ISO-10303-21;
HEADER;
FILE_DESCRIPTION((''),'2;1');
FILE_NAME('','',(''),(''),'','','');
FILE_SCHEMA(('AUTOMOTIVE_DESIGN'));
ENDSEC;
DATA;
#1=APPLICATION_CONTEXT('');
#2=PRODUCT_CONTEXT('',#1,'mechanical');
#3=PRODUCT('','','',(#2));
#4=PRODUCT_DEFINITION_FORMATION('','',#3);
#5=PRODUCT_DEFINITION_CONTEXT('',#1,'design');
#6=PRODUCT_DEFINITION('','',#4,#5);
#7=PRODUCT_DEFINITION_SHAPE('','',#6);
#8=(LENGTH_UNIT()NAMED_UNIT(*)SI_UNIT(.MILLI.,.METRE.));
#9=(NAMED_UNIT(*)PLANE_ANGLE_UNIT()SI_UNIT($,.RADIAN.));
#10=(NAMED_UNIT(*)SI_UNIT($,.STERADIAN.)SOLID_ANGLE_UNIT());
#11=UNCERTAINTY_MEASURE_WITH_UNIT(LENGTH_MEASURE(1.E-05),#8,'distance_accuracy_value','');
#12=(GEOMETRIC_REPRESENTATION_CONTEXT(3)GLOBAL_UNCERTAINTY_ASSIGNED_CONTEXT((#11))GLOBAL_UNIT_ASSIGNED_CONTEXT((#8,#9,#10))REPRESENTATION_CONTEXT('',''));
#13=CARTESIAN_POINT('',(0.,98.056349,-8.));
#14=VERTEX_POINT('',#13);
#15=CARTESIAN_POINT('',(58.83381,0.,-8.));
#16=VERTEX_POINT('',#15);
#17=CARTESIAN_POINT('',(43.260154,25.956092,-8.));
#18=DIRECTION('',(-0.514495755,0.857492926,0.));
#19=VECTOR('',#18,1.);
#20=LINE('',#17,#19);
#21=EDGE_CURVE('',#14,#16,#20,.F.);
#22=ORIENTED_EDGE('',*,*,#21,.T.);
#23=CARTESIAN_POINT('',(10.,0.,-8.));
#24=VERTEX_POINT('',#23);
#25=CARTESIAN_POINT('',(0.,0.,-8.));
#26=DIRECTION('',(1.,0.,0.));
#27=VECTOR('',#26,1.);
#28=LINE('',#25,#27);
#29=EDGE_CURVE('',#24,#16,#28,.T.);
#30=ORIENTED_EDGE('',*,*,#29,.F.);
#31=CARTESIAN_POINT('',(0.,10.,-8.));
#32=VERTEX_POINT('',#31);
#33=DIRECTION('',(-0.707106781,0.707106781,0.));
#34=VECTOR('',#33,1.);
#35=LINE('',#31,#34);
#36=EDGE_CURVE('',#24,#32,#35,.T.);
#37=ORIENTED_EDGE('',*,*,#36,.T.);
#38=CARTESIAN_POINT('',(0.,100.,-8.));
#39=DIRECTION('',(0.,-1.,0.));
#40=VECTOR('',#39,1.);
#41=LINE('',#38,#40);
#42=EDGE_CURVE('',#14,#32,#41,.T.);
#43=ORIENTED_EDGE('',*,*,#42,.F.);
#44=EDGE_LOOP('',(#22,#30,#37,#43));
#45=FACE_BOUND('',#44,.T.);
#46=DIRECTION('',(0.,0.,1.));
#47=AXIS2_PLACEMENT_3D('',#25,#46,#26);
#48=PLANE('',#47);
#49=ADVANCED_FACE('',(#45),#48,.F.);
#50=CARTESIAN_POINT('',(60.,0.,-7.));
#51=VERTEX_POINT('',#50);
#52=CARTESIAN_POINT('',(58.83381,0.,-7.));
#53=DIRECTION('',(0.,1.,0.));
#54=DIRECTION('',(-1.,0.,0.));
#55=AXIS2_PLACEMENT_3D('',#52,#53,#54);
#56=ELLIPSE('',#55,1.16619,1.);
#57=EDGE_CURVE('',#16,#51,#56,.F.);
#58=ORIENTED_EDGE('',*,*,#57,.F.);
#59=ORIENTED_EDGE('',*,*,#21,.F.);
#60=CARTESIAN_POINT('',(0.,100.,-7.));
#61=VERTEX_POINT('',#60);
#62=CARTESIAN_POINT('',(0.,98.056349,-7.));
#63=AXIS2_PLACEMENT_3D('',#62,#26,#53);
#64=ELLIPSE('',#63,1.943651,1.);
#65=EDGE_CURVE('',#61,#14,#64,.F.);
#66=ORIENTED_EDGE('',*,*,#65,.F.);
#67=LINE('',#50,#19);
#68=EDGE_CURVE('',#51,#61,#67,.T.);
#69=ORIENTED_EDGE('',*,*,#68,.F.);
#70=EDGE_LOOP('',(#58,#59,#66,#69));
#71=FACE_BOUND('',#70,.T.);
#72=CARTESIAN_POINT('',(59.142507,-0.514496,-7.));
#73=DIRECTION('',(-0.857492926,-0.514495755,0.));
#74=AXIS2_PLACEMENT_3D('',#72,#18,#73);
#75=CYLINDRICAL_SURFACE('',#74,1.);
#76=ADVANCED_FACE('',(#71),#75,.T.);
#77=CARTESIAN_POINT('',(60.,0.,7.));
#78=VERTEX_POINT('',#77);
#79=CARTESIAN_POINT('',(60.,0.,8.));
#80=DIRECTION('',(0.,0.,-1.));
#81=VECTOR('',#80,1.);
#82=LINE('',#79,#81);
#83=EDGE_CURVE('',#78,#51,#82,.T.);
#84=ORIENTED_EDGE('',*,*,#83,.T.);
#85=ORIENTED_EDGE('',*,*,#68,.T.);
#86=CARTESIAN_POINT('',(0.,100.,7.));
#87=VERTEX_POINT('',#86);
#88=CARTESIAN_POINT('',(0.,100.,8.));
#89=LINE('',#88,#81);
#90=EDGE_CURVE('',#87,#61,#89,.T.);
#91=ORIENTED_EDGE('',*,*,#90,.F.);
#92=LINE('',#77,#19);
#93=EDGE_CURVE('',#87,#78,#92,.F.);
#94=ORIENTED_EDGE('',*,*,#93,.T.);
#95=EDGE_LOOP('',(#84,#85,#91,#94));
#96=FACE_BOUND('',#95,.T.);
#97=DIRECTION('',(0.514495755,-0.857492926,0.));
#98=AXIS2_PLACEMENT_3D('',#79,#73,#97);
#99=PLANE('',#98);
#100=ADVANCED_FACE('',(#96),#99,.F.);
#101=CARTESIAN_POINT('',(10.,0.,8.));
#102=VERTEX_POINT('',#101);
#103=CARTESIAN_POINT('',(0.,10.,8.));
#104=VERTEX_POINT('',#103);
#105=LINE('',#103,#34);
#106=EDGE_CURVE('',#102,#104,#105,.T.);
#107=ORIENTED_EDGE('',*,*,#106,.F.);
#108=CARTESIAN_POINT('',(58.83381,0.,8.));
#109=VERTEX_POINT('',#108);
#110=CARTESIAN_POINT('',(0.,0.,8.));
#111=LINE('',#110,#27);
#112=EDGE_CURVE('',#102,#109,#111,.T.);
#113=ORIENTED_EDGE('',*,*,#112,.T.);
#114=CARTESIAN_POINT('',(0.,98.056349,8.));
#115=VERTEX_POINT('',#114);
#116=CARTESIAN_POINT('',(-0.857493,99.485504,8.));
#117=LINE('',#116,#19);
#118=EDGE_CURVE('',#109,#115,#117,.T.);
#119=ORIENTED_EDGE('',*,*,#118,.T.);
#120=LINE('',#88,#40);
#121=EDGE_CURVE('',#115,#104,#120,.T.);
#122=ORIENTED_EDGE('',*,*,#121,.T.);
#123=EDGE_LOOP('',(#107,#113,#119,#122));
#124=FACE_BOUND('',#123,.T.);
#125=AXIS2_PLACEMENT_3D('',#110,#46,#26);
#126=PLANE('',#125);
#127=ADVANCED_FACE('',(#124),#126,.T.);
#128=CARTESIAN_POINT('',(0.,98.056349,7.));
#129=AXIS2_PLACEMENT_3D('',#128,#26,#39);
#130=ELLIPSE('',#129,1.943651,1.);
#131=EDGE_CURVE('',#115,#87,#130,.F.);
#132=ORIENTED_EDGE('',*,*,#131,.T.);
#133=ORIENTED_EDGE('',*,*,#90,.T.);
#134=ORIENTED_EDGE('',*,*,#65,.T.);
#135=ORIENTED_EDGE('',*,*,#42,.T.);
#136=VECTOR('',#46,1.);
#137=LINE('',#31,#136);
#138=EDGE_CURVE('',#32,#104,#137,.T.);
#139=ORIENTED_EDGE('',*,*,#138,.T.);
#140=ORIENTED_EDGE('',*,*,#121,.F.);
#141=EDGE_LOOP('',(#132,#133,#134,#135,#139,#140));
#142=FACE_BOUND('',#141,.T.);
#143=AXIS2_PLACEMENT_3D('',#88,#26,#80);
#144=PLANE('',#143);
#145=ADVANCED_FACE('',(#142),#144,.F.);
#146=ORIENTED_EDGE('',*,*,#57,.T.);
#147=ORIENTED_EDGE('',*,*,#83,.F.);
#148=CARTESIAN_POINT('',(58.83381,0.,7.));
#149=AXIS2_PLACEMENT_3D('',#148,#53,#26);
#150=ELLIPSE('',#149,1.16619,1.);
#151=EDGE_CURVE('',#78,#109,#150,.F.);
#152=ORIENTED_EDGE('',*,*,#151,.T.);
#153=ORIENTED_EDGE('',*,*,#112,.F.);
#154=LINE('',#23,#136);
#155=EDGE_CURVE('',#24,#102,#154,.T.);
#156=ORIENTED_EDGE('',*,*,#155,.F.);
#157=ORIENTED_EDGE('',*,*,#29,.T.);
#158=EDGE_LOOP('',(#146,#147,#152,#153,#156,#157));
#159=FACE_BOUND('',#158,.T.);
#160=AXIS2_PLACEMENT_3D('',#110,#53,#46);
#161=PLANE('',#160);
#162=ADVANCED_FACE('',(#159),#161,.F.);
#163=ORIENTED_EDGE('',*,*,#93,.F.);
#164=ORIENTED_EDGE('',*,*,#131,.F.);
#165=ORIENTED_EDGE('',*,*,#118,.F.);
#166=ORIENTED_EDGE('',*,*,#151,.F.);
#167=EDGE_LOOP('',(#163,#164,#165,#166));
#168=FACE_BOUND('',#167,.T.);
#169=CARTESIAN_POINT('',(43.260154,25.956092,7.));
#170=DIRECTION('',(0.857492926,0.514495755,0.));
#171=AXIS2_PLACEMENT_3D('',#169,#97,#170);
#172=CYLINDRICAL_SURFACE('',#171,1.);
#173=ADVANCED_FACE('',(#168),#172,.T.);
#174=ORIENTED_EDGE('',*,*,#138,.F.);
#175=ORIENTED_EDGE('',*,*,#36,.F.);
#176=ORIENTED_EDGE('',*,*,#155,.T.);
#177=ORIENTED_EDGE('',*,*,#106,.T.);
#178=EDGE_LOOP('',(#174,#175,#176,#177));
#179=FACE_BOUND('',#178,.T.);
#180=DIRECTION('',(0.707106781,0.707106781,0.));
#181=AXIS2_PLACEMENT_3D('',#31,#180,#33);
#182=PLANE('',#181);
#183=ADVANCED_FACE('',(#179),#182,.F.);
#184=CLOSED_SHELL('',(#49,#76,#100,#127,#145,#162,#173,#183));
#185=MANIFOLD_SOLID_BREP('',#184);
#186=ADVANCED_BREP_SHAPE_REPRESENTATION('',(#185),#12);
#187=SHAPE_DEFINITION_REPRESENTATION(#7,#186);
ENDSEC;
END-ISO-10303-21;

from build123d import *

# Parameters (mm, degrees)
BOSS_EXTRUDE1_DEPTH = 8
CUT_EXTRUDE1_DEPTH  = 17
FILLET1_R           = 1


with BuildPart() as part:
    # Sketch1 → Boss-Extrude1 (new body, symmetric)
    with BuildSketch(Plane.XY):
        Polygon((0, 0), (60, 0), (0, 100), align=None)
    extrude(amount=BOSS_EXTRUDE1_DEPTH, both=True)

    # Sketch2 → Cut-Extrude1 (cut, through all)
    with BuildSketch(Plane.XY.offset(8)):
        Polygon((0, 0), (0, 10), (10, 0), align=None)
    extrude(amount=-CUT_EXTRUDE1_DEPTH, mode=Mode.SUBTRACT)

    # Fillet1
    fillet1_edges = [part.edges().sort_by_distance(p)[0] for p in [
        (30, 50, 8),
        (30, 50, -8),
    ]]
    fillet(fillet1_edges, radius=FILLET1_R)


solid = part.part
